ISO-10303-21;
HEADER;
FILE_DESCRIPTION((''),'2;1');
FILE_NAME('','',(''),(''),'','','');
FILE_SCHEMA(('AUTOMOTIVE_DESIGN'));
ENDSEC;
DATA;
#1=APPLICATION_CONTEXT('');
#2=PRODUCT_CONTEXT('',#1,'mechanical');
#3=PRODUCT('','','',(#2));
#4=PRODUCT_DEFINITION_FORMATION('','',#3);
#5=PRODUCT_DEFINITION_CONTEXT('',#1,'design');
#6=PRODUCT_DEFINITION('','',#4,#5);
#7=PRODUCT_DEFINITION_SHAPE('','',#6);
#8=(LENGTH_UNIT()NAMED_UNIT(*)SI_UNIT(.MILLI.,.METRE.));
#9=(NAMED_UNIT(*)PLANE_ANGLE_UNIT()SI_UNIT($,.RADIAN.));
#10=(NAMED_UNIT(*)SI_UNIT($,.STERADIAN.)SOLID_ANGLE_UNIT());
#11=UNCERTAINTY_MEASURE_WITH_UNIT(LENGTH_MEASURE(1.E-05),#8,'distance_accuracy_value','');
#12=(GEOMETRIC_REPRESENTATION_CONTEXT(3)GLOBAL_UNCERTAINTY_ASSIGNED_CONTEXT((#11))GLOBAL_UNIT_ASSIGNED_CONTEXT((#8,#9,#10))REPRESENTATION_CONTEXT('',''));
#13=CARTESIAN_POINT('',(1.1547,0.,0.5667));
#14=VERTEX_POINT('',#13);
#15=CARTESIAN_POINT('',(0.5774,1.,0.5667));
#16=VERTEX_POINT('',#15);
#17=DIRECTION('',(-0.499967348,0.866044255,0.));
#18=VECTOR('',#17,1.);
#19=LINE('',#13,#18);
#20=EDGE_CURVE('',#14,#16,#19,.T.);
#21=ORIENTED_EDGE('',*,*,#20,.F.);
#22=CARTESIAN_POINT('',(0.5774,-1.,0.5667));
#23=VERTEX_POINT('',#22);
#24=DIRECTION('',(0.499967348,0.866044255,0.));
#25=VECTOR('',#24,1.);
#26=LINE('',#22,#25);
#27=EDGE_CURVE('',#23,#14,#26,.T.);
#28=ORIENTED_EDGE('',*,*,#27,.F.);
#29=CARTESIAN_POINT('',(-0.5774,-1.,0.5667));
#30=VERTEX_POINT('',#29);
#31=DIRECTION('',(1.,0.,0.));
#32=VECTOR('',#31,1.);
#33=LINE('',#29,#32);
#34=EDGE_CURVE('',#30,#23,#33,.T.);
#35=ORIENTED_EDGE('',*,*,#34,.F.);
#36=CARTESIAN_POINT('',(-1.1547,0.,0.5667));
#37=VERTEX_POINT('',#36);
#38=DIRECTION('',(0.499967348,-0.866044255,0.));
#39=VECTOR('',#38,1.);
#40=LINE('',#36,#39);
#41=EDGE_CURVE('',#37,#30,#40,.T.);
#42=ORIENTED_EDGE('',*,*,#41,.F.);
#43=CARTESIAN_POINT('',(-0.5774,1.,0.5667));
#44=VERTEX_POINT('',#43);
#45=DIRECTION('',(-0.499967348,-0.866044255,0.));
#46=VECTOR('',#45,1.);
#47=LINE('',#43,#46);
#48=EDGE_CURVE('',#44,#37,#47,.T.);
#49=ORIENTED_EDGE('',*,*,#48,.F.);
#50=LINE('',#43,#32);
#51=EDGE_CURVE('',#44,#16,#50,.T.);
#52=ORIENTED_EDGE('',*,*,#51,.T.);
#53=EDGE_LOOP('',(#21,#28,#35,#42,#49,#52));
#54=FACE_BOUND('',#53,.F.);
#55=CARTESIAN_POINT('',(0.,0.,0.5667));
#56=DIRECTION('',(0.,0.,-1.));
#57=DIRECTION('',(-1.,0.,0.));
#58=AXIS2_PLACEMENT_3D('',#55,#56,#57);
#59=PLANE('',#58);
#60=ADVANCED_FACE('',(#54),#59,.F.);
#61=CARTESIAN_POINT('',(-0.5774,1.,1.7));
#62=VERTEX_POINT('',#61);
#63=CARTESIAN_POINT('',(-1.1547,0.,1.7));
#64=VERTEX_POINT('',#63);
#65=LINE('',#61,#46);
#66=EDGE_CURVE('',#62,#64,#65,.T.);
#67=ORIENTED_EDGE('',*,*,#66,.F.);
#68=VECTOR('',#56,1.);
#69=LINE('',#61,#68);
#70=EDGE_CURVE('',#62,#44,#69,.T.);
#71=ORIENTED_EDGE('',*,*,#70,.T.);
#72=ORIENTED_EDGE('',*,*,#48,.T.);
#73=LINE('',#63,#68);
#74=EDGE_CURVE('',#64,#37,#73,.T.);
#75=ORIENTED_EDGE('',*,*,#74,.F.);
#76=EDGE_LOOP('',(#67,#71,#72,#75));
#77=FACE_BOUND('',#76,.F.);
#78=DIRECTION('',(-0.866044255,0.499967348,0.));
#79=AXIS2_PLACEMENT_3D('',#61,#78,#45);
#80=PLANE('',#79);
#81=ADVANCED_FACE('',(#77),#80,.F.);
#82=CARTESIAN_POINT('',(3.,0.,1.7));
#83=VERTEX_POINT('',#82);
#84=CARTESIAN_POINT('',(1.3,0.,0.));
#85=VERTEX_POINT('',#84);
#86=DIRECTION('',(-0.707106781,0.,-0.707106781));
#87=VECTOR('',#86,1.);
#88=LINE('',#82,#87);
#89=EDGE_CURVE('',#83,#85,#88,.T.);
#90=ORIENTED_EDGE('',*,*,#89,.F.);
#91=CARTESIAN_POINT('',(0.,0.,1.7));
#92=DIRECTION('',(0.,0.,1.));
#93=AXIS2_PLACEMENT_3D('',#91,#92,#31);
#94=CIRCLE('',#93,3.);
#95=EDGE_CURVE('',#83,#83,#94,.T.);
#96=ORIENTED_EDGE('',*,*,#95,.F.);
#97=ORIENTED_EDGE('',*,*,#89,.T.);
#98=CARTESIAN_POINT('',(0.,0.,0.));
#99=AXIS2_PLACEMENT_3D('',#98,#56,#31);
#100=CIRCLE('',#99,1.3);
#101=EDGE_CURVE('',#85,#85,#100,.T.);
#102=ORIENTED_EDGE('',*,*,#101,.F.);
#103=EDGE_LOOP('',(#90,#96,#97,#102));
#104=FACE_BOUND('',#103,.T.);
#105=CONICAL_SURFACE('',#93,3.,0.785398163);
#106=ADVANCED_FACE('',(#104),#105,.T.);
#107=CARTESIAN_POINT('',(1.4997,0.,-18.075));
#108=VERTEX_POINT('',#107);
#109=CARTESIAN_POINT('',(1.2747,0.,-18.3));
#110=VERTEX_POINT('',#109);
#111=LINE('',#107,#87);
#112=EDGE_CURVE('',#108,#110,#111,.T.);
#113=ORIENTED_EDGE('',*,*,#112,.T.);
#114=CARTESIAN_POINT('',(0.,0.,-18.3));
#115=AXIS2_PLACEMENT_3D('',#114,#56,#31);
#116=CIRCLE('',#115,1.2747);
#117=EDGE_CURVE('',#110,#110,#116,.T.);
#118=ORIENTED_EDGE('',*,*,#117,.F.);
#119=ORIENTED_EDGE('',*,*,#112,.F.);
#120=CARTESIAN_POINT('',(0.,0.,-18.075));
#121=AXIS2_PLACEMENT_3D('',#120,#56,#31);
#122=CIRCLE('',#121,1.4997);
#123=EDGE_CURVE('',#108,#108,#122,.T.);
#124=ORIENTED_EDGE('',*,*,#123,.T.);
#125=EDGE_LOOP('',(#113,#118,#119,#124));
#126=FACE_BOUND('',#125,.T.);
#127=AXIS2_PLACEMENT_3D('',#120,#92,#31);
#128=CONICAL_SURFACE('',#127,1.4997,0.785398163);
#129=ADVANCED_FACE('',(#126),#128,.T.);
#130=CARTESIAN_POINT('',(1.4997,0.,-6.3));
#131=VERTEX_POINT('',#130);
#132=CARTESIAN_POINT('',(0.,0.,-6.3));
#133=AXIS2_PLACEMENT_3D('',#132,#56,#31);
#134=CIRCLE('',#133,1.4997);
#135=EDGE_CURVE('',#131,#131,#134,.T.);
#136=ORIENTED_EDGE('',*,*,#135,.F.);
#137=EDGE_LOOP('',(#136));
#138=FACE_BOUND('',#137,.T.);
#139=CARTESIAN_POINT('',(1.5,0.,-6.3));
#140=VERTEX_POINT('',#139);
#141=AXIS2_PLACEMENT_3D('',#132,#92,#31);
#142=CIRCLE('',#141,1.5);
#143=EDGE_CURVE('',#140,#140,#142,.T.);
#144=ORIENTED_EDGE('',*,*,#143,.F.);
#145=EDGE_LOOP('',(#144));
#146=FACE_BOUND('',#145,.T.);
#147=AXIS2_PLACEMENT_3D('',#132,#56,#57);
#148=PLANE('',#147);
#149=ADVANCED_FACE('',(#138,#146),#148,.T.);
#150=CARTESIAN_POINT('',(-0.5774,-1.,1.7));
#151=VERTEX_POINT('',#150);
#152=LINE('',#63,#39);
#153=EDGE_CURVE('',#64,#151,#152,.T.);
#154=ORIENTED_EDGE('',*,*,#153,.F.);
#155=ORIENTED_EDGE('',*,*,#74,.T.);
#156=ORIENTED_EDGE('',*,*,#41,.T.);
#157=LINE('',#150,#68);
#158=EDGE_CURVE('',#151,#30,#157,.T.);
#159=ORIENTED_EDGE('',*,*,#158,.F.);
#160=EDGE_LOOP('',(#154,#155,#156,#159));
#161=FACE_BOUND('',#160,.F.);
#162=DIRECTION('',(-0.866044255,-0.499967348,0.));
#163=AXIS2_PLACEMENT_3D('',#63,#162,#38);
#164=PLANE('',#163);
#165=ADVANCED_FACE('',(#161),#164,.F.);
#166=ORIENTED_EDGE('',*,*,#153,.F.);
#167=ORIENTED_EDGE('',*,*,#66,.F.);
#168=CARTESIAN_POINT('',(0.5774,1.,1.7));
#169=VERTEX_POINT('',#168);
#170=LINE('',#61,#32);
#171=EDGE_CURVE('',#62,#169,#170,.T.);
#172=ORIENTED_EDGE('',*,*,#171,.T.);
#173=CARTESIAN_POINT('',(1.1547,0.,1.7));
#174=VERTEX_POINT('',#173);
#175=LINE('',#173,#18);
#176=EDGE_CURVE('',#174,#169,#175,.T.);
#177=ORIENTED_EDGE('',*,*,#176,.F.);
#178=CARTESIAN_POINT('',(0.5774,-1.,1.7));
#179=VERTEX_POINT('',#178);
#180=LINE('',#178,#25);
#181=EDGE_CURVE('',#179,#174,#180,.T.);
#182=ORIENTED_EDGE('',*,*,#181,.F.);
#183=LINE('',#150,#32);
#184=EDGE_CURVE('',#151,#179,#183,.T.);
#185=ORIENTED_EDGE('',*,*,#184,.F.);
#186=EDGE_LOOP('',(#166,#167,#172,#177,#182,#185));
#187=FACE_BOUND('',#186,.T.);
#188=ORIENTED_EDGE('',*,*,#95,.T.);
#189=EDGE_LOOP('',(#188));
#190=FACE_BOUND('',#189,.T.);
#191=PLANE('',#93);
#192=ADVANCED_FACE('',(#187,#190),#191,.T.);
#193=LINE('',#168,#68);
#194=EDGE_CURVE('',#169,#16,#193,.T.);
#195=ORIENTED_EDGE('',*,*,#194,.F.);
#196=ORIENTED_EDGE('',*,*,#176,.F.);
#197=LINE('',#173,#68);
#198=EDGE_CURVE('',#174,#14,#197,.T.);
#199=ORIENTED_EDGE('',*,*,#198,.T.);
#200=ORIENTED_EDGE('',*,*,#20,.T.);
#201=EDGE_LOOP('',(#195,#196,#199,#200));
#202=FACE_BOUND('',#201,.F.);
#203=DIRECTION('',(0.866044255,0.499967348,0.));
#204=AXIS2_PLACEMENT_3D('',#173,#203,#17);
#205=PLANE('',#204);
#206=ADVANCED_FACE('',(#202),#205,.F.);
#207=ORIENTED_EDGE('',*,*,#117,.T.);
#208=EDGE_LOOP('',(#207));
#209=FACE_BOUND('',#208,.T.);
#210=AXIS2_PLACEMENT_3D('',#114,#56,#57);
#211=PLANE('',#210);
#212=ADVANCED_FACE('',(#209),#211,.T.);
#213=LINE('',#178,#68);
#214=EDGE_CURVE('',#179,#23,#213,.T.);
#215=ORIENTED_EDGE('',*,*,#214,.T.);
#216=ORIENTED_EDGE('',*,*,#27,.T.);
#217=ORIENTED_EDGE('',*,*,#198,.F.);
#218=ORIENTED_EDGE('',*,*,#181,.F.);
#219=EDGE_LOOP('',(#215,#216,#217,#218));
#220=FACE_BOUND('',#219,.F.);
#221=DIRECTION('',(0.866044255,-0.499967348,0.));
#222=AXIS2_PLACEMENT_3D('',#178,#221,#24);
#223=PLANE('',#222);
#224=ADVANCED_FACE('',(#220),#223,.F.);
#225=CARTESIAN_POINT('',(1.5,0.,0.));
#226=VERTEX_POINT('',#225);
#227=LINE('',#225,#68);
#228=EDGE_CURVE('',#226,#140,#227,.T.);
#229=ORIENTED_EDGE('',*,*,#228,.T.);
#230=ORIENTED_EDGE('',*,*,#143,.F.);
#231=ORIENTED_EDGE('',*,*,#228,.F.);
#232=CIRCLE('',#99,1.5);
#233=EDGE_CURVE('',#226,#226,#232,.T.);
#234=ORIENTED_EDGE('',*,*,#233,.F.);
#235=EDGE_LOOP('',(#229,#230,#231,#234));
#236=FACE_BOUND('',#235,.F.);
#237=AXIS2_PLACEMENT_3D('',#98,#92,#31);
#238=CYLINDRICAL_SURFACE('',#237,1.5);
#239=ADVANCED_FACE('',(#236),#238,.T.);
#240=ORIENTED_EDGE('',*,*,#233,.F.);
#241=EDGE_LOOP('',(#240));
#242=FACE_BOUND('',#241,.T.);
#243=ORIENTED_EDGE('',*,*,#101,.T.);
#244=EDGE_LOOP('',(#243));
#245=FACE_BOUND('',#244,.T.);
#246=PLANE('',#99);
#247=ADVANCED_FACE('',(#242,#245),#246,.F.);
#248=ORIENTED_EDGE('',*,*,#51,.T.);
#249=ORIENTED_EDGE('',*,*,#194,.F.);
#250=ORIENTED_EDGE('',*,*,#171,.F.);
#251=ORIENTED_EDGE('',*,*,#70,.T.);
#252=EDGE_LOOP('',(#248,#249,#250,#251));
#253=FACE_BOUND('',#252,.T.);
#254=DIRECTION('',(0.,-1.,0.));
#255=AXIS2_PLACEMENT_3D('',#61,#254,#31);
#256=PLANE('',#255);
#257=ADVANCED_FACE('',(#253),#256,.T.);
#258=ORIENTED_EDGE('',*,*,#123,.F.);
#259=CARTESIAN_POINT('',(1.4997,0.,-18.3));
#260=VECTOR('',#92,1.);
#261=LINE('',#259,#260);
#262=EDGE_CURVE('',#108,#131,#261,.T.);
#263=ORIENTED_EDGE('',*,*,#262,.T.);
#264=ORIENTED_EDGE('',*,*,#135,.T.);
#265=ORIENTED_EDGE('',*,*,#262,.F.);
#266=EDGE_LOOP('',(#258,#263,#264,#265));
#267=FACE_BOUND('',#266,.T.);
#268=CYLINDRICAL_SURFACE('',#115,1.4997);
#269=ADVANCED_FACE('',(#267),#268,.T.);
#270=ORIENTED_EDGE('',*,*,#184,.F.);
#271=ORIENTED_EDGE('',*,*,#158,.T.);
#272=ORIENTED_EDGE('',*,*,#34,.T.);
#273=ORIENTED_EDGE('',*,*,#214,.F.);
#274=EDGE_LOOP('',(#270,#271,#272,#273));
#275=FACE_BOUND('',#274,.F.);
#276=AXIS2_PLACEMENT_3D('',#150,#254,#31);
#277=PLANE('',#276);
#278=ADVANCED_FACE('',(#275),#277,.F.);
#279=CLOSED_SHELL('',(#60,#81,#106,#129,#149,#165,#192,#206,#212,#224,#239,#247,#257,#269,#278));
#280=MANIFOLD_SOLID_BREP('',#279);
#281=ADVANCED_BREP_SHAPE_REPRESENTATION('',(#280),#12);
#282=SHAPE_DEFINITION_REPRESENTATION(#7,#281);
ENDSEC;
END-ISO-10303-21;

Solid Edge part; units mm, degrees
sketch "Sketch1" plane through (0, 0, 0) normal (0, 0, 1) x (1, 0, 0)
  circle A0 centre (0, 0) radius 3
  dimension "D1" = 6
extrude "Protrusion1" add sketch "Sketch1" along normal blind 1.7
sketch "Sketch2" plane through (0, 0, 0) normal (0, 0, -1) x (1, 0, 0)
  circle A0 centre (0, 0) radius 1.5
extrude "Protrusion2" add sketch "Sketch2" along normal blind 18.3
sketch "Sketch3" plane through (0, 0, -18.3) normal (0, 0, -1) x (1, 0, 0)
  circle A0 centre (0, 0) radius 1.4997
extrude "Cutout1" cut sketch "Sketch3" against normal blind 12 flip side to cut
chamfer "Chamfer_1" distance 0.225 angle 45 1 edges at (-1.4997, 0, -18.3)
sketch "Sketch4" plane through (0, 0, 1.7) normal (0, 0, 1) x (1, 0, 0)
  line L0 (-0.5774, 1) -> (0.5774, 1)
  line L1 (1.1547, 0) -> (0.5774, 1)
  line L2 (0.5774, -1) -> (1.1547, 0)
  line L3 (-0.5774, -1) -> (0.5774, -1)
  line L4 (-1.1547, 0) -> (-0.5774, -1)
  line L5 (-0.5774, 1) -> (-1.1547, 0)
  dimension "D1" = 2
extrude "Cutout2" cut sketch "Sketch4" against normal blind 1.1333
sketch "Sketch5" plane through (0, 0, 0) normal (0, -1, 0) x (1, 0, 0)
  line L0 (3, 1.7) -> (1.3, 0)
  line L1 (1.3, 0) -> (3, 0)
  line L2 (3, 0) -> (3, 1.7)
revolve "RevolvedCutout1" cut sketch "Sketch5" angle 360 about axis through (0, 0, 14.0017) along (0, 0, -1)
properties part number "24101468"
